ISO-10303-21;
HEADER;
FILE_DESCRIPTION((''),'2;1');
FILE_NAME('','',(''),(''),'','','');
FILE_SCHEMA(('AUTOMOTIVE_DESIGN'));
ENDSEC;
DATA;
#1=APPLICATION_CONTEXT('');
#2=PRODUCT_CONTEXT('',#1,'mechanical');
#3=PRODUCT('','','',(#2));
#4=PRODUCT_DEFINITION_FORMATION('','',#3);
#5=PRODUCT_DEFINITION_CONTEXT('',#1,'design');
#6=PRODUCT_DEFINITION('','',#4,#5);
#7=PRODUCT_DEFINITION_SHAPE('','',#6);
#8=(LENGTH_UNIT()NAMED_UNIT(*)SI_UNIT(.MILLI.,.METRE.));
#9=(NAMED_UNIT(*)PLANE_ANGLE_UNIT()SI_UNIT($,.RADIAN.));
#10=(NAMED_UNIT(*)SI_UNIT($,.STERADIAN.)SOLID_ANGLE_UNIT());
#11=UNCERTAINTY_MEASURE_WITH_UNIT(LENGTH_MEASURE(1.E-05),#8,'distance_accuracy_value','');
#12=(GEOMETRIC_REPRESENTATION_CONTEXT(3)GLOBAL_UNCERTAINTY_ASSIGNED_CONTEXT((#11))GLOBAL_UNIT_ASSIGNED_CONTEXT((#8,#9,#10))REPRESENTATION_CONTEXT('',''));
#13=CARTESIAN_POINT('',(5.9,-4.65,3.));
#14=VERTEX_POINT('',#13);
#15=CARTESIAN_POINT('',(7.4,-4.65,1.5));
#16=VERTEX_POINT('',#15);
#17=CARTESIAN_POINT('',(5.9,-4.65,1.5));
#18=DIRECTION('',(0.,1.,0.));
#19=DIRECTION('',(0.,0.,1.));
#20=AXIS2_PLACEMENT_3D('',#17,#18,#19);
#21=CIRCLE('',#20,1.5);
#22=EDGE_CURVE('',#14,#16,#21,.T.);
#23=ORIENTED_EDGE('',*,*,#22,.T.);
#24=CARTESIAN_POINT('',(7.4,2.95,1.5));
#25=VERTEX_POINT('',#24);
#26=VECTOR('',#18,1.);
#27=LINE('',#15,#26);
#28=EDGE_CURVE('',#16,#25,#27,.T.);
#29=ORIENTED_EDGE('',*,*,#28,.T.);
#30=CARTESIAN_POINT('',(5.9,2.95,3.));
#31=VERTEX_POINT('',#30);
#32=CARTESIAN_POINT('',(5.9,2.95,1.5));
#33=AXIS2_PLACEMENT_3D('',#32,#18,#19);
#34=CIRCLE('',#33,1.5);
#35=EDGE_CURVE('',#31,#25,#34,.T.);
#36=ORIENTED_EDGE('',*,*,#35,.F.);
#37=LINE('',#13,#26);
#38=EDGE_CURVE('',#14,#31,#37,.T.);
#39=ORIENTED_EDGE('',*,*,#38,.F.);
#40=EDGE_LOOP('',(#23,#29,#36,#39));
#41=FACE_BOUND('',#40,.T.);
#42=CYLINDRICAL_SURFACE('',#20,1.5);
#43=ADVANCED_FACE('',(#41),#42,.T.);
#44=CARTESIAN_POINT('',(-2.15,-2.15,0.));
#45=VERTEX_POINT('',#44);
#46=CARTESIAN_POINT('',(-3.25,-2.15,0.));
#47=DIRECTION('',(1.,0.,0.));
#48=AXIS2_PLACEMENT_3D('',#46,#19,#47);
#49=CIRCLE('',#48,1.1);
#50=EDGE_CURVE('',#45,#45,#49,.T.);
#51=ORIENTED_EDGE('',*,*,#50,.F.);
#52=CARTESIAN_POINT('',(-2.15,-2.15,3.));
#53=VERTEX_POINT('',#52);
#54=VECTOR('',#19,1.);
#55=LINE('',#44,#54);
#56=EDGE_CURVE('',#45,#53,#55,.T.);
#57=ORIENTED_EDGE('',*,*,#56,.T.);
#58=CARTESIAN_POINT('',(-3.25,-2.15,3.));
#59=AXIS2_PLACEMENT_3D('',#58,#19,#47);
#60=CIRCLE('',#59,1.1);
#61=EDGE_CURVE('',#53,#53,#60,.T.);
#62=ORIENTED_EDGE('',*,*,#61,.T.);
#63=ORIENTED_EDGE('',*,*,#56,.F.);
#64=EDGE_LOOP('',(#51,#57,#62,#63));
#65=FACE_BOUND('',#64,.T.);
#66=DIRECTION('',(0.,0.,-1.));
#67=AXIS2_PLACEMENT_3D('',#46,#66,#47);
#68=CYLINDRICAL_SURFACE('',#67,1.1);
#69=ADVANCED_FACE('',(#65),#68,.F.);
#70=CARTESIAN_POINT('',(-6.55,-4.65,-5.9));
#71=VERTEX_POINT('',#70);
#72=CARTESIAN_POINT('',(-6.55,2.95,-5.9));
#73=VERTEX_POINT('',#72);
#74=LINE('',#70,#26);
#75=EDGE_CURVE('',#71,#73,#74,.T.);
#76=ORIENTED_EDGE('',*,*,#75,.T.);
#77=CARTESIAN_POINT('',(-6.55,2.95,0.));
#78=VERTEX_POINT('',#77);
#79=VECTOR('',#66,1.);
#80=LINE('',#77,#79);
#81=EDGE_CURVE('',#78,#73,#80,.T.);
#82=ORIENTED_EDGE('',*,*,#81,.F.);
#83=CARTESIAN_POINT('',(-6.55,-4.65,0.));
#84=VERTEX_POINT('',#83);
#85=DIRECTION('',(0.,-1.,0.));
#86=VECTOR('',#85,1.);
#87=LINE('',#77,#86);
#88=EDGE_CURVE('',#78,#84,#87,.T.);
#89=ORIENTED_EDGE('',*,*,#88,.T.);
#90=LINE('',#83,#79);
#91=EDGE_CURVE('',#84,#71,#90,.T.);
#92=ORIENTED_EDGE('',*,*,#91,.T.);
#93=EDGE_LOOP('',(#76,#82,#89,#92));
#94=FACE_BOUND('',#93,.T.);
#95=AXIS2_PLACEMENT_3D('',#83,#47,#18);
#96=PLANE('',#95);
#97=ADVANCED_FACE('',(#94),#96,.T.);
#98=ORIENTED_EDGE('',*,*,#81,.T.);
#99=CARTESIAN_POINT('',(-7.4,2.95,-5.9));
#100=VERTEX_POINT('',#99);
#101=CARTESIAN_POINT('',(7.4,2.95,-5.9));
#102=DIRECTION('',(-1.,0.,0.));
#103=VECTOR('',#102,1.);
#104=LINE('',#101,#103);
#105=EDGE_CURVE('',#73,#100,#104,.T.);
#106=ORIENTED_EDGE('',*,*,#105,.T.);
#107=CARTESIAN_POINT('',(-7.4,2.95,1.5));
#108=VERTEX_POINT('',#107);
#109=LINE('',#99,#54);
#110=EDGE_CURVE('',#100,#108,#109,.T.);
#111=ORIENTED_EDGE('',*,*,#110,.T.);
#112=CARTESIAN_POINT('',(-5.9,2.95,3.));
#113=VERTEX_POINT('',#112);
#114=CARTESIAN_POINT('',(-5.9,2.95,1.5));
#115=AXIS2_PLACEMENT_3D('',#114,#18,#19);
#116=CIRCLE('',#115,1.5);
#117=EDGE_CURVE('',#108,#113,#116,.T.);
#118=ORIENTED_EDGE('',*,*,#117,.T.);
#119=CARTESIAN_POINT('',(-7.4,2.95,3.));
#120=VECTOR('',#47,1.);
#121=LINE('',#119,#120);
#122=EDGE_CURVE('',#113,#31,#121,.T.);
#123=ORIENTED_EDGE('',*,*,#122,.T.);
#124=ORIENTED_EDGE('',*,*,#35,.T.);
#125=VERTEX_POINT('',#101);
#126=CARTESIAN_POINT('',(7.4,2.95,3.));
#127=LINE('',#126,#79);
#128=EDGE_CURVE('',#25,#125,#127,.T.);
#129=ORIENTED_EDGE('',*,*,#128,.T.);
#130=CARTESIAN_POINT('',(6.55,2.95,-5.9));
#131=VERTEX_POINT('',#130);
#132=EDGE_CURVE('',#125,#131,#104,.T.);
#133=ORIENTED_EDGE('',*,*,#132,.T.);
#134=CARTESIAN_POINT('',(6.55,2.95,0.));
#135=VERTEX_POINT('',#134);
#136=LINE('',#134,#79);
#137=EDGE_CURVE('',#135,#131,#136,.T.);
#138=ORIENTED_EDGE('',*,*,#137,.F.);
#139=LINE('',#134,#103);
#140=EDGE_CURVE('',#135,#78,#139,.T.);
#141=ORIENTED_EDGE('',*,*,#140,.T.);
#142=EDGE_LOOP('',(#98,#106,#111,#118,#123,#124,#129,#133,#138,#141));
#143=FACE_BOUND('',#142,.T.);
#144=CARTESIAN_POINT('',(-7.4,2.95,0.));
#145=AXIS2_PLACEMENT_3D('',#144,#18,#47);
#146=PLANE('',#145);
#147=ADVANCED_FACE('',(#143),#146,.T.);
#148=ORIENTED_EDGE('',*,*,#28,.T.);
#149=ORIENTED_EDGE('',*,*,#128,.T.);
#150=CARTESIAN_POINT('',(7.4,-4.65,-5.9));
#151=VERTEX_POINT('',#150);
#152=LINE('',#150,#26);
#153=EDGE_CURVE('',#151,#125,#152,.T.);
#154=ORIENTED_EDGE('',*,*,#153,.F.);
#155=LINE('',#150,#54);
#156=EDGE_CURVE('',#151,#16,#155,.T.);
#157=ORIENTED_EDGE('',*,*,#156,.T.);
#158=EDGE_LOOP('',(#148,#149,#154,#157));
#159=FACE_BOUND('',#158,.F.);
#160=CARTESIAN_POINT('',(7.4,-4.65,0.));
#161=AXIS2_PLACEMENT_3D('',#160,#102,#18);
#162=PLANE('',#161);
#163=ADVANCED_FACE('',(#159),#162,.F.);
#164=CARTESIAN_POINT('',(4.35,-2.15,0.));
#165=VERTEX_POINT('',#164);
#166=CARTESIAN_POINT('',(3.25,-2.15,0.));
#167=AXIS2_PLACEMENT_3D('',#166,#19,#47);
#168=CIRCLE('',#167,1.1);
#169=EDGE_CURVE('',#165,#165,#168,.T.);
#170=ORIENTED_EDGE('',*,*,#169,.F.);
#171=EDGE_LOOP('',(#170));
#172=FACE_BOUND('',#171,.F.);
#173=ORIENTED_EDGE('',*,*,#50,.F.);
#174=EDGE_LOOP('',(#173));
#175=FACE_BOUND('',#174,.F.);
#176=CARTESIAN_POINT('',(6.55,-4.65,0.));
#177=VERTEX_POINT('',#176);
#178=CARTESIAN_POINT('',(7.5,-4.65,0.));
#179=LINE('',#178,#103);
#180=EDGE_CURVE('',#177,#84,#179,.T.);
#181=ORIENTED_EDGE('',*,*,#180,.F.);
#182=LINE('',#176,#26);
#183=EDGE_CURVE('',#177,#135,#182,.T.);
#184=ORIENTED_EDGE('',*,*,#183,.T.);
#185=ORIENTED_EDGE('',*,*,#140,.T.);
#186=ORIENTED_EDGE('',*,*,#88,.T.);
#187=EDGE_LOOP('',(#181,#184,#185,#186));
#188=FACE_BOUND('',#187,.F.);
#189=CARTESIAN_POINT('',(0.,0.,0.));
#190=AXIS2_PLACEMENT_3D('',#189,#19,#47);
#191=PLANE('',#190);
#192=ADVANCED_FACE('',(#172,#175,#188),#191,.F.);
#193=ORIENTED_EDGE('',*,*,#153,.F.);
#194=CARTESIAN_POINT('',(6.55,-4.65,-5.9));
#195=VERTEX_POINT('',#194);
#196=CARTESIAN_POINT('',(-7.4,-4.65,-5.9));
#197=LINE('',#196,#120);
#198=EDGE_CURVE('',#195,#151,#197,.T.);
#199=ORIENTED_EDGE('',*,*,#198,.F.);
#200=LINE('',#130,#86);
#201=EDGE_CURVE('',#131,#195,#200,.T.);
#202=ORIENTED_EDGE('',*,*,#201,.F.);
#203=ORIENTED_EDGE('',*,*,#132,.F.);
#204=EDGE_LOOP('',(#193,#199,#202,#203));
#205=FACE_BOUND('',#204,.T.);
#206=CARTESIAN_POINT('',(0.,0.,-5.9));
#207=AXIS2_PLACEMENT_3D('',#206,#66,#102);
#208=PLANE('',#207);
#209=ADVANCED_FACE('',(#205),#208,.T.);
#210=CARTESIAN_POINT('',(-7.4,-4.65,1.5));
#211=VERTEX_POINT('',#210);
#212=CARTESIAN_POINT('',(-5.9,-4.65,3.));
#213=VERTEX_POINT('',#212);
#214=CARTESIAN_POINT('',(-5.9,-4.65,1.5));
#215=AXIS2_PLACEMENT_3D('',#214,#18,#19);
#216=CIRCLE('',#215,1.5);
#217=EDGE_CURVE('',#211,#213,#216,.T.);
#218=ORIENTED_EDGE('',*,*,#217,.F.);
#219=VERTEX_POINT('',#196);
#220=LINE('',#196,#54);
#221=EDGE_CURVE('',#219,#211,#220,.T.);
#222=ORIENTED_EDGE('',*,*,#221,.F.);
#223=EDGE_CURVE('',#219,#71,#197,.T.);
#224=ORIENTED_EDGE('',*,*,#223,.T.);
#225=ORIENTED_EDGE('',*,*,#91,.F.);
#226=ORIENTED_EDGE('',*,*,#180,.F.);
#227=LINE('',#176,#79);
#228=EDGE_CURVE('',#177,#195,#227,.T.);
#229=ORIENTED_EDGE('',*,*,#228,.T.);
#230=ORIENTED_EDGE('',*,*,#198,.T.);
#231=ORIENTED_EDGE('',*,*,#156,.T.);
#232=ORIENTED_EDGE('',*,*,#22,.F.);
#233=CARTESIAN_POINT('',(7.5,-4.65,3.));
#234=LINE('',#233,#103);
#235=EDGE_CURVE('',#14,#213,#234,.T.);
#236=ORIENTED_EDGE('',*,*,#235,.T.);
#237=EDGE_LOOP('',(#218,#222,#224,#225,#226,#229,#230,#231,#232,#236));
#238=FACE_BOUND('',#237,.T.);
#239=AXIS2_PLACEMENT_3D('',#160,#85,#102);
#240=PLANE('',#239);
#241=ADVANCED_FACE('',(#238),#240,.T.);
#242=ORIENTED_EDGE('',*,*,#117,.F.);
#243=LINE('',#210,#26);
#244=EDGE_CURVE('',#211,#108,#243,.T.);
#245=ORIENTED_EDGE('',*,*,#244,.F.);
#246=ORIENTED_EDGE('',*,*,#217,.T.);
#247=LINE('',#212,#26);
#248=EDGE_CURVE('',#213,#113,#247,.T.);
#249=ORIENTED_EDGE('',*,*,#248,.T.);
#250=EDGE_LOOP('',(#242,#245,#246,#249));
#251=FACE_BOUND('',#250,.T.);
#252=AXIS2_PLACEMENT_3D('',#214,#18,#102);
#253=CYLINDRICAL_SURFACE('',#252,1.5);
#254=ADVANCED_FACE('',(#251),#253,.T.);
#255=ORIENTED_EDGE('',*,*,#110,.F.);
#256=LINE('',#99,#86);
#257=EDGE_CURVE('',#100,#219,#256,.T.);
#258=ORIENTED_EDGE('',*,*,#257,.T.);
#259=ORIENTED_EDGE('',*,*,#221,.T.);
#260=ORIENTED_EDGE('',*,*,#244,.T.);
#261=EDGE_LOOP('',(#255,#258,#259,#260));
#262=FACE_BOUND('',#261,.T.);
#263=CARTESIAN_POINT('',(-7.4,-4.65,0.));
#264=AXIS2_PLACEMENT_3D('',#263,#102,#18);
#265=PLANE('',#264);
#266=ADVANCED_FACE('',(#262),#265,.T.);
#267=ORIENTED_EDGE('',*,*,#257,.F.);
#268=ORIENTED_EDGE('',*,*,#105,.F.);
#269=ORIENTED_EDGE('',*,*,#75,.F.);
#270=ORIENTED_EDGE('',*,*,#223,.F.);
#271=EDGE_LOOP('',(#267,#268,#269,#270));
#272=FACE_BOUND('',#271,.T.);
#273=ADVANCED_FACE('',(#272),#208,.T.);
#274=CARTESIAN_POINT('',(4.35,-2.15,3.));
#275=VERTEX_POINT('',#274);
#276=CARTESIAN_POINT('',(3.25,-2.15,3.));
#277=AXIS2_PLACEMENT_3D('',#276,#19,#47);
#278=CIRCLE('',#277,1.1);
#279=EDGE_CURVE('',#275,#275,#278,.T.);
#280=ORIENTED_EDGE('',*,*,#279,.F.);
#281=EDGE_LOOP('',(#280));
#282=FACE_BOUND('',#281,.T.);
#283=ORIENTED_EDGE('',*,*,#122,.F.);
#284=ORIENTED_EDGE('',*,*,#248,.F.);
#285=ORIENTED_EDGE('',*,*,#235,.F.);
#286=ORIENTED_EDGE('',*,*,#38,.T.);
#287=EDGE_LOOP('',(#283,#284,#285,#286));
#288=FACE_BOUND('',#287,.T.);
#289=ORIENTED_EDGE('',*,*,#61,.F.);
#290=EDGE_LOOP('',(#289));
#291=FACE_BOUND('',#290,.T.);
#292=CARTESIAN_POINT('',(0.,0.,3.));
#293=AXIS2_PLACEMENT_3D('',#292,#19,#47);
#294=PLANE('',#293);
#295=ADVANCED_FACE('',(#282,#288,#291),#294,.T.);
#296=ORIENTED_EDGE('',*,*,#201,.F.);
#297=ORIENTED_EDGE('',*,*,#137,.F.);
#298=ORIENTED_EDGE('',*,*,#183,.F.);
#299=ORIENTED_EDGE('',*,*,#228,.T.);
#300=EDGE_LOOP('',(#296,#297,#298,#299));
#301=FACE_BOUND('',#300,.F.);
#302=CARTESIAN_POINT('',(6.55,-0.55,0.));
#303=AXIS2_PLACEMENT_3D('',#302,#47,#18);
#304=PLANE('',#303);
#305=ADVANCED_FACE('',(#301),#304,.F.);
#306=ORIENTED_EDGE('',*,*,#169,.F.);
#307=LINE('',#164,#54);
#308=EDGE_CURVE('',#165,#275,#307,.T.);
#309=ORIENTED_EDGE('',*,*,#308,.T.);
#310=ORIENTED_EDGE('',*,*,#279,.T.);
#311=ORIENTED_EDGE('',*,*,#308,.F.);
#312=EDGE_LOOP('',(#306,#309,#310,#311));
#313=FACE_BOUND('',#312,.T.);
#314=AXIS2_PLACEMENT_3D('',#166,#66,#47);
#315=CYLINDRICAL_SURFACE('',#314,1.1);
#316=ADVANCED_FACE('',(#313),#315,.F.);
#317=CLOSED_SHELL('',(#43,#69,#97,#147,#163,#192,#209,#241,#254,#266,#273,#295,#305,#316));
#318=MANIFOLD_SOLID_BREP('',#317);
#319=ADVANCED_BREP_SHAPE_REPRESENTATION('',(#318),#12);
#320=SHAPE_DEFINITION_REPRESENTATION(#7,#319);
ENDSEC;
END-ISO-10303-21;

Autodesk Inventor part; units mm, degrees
ref_plane "YZ Plane" through (0, 0, 0) normal (1, 0, 0) x (0, 1, 0)
ref_plane "XZ Plane" through (0, 0, 0) normal (0, 1, 0) x (-1, 0, 0)
sketch "Sketch1" plane through (0, 0, 0) normal (0, 0, 1) x (1, 0, 0)
  circle A0 centre (-3.25, -2.15) radius 1 projected
  circle A1 centre (3.25, -2.15) radius 1 projected
  circle A2 centre (-3.25, -2.15) radius 1.1
  circle A3 centre (3.25, -2.15) radius 1.1
  line L0 (-6.45, -0.55) -> (-6.45, -2.95) projected
  line L1 (6.45, -2.95) -> (6.45, -0.55) projected
  line L2 (-7.5, 2.95) -> (-10.5, 2.95) projected
  line L3 (10.5, 2.95) -> (7.5, 2.95) projected
  line L4 (-7.5, 2.95) -> (7.5, 2.95) projected
  line L5 (-6.45, 2.95) -> (-6.45, -0.55) projected
  line L6 (6.45, -0.55) -> (6.45, 2.95) projected
  line L7 (7.5, 2.95) -> (7.5, -8.05) projected
  line L8 (-7.5, 2.95) -> (-7.5, -6.5437) projected
  line L9 (-7.5, 2.95) -> (7.5, 2.95)
  line L10 (7.5, 2.95) -> (7.5, -4.65)
  line L11 (7.5, -4.65) -> (-7.5, -4.65)
  line L12 (-7.5, -4.65) -> (-7.5, 2.95)
  line L13 (-7.4, -4.65) -> (-7.4, 2.95)
  line L14 (7.4, -4.65) -> (7.4, 2.95)
  point P0 (0, 0)
  point P1 (-7.4, 2.95)
  point P2 (7.4, 2.95)
  dimension "d0" = 0.1
  dimension "d1" = 0.1
  dimension "d2" = 7.6
  dimension "d3" = 0.1
  dimension "d4" = 0.1
extrude "Extrusion1" add sketch "Sketch1" along normal blind 3 contours L4 L14 L11 L13
sketch "Sketch2" plane through (0, 0, 0) normal (0, 0, -1) x (-1, 0, 0)
  line L0 (-6.45, -0.55) -> (-6.45, 2.95) projected
  line L1 (-7.4, -4.65) -> (-7.4, 2.95) projected
  line L2 (6.45, 2.95) -> (6.45, -0.55) projected
  line L3 (7.4, 2.95) -> (7.4, -4.65) projected
  line L4 (-6.55, -0.55) -> (-6.55, 2.95)
  line L5 (6.55, 2.95) -> (6.55, -0.55)
  line L6 (-7.4, 2.95) -> (7.4, 2.95) projected
  line L7 (7.4, -4.65) -> (-7.4, -4.65) projected
  line L8 (-7.4, 2.95) -> (-6.55, 2.95)
  line L9 (-6.55, 2.95) -> (-6.55, -4.65)
  line L10 (-6.55, -4.65) -> (-7.4, -4.65)
  line L11 (-7.4, -4.65) -> (-7.4, 2.95)
  line L12 (6.55, 2.95) -> (7.4, 2.95)
  line L13 (7.4, 2.95) -> (7.4, -4.65)
  line L14 (7.4, -4.65) -> (6.55, -4.65)
  line L15 (6.55, -4.65) -> (6.55, 2.95)
  point P0 (0, 0)
  point P1 (6.55, -0.55)
  dimension "d7" = 0.1
  dimension "d8" = 0.1
ref_plane "Work Plane1" through (-15.5277, -15.5154, -5.9) normal (0, 0, 1) x (1, 0, 0)
extrude "Extrusion2" add sketch "Sketch2" along normal up to surface (5.9 mm away) contours L1 L6 L4 L9 L7 | L15 L5 L6 L3 L7
fillet "Fillet1" radius 1.5 2 edges at (7.4, -0.85, 3) (-7.4, -0.85, 3)
properties part number "podkladka_switch"
